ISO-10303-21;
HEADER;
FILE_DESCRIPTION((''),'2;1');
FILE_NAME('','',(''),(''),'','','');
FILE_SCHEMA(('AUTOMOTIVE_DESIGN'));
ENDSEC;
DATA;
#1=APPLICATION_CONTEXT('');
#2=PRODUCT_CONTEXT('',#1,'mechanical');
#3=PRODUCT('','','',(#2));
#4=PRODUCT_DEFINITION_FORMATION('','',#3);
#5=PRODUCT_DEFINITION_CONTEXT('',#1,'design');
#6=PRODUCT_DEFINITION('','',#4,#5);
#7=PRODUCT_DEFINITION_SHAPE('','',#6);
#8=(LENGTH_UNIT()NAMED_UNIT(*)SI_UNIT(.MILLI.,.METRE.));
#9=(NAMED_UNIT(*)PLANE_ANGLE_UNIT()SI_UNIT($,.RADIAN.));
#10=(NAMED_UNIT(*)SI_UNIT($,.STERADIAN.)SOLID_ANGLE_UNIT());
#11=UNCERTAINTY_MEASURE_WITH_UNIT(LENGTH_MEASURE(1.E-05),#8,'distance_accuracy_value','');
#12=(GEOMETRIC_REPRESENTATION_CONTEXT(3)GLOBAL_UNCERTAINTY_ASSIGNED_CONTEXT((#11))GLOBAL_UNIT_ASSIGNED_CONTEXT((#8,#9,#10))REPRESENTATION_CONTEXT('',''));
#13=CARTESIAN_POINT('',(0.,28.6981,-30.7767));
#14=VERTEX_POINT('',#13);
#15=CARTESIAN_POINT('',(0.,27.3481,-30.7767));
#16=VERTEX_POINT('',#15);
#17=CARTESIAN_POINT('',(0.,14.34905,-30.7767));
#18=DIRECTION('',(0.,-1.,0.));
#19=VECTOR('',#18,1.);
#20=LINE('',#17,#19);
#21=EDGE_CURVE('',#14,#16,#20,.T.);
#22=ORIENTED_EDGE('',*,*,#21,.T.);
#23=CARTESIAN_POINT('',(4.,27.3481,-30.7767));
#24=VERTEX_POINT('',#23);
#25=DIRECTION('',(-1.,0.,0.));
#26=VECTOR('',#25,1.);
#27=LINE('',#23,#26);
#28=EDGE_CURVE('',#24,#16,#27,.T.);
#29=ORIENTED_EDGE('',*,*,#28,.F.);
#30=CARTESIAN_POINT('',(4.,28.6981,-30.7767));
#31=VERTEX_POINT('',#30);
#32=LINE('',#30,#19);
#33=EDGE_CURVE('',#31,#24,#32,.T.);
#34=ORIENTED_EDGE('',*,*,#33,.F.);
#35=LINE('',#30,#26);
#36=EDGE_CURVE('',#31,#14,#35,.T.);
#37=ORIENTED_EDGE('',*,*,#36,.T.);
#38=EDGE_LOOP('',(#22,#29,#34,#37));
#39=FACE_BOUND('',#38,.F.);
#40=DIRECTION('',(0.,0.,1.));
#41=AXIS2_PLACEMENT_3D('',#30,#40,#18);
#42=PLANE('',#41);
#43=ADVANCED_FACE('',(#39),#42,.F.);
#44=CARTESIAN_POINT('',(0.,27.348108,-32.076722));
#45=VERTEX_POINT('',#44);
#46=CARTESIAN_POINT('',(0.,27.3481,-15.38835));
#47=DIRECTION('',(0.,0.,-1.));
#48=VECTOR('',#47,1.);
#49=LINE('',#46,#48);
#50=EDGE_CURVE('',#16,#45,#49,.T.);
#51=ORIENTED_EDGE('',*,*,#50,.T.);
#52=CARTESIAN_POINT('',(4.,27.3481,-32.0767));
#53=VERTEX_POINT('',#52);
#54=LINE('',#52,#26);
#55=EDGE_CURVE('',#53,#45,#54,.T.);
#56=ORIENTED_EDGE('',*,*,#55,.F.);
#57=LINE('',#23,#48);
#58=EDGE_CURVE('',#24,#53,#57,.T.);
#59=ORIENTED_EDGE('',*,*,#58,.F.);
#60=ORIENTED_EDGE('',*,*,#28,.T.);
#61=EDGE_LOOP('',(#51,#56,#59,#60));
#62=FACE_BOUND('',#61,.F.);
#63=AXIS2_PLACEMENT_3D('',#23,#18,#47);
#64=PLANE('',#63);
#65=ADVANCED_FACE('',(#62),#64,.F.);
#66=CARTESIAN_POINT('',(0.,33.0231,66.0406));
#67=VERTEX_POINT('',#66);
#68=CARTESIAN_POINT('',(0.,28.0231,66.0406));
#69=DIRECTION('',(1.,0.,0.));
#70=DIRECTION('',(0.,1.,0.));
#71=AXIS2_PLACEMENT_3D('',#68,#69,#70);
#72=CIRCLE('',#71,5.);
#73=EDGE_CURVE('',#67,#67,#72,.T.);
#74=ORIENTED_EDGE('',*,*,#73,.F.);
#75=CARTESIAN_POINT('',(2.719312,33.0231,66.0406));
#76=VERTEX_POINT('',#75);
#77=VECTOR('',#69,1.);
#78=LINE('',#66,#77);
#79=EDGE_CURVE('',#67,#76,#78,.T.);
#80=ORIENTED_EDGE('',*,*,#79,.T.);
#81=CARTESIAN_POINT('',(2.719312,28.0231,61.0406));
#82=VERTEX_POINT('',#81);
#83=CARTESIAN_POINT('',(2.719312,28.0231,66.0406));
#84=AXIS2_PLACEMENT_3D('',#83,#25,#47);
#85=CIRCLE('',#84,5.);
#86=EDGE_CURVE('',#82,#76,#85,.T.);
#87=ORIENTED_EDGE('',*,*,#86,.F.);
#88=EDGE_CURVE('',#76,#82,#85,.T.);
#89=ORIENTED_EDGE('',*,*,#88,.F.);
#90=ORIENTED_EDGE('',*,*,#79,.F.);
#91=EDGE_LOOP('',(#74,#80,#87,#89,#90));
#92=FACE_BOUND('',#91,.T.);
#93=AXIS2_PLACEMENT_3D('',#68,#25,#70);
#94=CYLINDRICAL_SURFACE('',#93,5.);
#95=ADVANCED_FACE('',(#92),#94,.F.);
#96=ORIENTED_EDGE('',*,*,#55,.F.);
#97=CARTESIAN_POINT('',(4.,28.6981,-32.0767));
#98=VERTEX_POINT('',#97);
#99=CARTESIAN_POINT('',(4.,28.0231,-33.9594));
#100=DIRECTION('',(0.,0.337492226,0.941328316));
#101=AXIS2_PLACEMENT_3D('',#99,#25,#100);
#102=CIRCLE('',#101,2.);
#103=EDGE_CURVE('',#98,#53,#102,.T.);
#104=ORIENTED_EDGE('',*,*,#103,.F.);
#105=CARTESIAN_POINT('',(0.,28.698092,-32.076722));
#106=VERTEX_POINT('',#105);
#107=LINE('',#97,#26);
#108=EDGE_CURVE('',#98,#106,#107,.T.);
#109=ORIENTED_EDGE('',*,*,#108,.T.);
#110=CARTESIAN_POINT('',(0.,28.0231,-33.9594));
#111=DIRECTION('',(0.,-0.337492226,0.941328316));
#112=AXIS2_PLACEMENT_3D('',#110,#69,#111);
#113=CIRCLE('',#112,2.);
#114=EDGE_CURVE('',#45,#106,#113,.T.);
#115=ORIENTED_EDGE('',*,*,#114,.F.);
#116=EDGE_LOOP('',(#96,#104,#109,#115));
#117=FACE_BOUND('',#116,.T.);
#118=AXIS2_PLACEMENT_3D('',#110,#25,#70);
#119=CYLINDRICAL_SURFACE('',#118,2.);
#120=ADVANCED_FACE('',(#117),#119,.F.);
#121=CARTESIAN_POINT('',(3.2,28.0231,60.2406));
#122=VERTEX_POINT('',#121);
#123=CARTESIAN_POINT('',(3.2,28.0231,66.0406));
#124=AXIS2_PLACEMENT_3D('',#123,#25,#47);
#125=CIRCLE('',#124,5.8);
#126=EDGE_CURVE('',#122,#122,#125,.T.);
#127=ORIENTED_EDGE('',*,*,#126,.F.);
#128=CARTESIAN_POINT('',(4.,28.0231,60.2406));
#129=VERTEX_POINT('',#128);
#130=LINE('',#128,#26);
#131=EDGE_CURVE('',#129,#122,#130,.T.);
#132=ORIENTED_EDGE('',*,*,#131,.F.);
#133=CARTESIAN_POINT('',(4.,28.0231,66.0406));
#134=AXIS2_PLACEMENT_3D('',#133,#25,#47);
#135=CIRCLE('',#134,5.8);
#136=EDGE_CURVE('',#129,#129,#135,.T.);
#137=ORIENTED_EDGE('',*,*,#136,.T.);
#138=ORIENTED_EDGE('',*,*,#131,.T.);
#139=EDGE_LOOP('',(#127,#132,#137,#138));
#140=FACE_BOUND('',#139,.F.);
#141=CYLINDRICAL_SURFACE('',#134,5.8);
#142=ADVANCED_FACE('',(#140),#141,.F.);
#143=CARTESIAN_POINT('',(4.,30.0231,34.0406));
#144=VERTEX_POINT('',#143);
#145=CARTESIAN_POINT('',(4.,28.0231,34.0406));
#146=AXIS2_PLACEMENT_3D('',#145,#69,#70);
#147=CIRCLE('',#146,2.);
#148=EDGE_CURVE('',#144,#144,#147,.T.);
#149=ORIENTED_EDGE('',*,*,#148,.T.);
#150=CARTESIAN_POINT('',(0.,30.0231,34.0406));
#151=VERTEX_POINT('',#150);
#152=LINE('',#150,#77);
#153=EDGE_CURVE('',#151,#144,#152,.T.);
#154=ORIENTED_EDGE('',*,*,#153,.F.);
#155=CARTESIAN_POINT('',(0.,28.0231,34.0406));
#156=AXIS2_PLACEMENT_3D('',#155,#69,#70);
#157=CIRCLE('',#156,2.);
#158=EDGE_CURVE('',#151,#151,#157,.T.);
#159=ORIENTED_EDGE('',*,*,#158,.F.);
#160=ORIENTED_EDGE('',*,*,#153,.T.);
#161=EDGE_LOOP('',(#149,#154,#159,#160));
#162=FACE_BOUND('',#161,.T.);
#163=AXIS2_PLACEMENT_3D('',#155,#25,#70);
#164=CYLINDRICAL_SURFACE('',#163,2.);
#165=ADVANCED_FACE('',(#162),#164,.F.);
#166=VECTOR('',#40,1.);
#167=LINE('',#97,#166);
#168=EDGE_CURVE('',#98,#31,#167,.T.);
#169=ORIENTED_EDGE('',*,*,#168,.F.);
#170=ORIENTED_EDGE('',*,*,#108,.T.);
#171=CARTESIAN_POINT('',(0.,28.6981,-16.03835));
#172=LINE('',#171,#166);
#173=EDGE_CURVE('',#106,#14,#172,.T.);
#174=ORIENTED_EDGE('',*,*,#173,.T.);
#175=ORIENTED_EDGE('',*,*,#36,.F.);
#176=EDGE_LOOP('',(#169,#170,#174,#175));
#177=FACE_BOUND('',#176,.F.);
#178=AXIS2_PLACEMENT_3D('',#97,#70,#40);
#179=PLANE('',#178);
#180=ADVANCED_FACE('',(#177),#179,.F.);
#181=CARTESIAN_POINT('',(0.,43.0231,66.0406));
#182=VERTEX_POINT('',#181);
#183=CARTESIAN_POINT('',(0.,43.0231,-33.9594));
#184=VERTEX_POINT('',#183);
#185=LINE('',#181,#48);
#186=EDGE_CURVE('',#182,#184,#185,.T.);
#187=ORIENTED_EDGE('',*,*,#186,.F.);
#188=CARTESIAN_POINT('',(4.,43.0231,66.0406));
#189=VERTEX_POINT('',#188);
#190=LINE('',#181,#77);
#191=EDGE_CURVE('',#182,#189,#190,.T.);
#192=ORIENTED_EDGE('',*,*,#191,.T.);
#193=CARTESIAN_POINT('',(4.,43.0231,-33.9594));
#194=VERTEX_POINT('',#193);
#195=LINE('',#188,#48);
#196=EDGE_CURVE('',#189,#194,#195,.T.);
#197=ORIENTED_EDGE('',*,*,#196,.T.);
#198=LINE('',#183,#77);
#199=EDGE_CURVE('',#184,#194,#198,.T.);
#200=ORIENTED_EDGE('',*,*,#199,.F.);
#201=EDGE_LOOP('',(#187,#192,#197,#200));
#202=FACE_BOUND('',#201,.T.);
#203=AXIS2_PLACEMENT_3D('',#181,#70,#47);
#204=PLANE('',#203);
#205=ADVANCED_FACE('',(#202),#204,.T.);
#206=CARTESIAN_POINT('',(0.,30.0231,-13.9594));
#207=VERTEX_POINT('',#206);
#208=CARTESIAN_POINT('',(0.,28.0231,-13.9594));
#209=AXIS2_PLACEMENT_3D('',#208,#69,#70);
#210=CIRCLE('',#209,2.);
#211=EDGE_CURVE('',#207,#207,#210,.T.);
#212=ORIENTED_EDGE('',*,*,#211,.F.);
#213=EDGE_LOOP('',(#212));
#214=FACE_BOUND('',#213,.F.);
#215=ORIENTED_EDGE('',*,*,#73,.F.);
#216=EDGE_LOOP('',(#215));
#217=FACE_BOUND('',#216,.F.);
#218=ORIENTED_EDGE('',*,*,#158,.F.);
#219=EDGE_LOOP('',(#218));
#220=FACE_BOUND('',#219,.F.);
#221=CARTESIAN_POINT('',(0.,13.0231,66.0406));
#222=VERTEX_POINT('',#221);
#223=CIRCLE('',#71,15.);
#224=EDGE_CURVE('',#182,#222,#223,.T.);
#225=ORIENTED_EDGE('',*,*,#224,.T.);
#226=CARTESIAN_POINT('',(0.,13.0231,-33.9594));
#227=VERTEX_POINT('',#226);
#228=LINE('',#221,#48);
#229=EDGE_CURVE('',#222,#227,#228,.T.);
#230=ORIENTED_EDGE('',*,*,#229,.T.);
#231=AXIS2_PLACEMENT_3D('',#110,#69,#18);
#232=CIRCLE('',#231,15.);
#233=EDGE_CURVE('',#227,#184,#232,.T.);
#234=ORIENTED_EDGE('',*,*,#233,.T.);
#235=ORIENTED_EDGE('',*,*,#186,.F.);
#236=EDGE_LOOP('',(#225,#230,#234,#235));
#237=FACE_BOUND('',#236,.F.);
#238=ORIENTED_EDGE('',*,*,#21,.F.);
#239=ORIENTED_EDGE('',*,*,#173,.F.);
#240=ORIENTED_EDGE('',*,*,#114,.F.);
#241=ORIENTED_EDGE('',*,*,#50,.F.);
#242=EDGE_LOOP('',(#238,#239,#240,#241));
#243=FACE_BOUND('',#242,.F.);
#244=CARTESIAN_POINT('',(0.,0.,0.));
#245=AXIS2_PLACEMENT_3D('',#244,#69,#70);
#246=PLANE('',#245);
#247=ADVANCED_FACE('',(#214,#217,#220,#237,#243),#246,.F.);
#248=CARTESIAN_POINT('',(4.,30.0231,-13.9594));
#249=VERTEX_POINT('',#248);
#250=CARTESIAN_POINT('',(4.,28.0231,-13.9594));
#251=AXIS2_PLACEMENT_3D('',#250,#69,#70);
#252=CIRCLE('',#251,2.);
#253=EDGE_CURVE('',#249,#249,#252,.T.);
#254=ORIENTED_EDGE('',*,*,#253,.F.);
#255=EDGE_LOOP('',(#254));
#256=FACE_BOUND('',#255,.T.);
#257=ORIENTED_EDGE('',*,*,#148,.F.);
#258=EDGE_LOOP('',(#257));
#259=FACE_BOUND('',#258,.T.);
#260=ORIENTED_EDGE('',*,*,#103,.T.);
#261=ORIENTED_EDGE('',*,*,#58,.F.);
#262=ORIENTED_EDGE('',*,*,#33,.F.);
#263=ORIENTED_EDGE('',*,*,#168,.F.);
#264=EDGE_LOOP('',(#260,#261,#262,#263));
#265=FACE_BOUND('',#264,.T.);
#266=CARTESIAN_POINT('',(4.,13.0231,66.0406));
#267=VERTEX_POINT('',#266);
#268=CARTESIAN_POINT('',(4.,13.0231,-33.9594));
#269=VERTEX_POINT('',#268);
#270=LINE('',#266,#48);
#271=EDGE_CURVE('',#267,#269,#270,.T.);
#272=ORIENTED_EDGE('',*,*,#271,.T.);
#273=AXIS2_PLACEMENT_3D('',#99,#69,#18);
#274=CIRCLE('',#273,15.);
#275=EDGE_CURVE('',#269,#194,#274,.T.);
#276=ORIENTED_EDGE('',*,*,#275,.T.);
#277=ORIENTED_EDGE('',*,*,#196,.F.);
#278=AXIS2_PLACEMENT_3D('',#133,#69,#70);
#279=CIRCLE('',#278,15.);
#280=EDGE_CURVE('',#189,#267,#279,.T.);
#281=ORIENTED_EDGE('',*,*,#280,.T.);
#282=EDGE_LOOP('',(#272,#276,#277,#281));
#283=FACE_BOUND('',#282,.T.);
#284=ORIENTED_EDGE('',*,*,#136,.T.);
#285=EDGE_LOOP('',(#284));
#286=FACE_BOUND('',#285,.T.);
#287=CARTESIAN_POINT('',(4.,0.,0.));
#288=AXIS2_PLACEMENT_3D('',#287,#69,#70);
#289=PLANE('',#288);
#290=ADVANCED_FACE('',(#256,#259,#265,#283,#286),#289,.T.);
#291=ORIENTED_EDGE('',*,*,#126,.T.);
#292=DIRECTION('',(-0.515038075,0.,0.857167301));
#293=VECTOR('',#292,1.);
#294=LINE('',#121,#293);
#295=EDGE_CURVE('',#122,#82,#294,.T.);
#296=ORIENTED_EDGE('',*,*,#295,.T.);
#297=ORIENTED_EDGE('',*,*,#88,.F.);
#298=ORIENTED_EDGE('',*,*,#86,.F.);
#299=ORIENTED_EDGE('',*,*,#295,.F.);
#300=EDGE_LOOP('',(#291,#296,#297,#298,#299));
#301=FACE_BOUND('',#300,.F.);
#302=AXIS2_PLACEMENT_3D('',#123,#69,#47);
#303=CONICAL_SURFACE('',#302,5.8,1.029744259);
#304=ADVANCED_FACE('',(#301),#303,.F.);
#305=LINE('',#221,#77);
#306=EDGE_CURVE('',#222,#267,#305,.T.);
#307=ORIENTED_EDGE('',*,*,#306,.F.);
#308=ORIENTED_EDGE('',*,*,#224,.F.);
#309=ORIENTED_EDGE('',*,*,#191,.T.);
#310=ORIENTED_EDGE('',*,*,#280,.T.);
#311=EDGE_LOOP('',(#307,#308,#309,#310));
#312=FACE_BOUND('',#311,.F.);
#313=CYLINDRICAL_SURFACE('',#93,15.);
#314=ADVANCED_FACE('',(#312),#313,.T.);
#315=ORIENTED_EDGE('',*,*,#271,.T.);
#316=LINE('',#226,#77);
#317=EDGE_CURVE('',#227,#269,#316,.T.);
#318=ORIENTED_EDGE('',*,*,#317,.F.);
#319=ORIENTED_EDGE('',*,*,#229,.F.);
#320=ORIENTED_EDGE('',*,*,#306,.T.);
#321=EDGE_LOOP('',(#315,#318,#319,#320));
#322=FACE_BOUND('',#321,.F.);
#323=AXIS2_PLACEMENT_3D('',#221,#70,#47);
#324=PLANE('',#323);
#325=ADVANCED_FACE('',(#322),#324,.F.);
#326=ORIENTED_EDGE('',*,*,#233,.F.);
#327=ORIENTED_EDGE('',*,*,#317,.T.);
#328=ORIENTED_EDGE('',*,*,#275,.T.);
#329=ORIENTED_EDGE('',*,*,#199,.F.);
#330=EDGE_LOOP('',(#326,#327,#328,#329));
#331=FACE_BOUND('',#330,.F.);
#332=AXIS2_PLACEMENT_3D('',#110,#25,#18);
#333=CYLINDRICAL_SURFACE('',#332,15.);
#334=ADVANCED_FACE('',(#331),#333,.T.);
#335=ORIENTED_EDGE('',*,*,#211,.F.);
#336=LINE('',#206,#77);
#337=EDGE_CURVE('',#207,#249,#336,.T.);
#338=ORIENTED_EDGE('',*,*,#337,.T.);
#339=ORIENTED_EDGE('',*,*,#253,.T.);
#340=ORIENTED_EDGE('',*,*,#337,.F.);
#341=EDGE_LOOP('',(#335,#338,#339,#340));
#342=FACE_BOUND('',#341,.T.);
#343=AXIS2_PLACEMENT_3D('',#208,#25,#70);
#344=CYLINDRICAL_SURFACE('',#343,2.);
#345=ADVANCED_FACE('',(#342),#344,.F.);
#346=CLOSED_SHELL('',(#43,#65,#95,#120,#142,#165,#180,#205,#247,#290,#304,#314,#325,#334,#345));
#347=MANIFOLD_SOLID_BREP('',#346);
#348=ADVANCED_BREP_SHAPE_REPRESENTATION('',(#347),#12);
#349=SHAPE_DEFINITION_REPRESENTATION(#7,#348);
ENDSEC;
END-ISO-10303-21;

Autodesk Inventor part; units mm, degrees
ref_plane "YZ Plane" through (0, 0, 0) normal (1, 0, 0) x (0, 1, 0)
ref_plane "XZ Plane" through (0, 0, 0) normal (0, 1, 0) x (-1, 0, 0)
ref_plane "XY Plane" through (0, 0, 0) normal (0, 0, 1) x (1, 0, 0)
sketch "Sketch1" plane through (0, 0, 0) normal (1, 0, 0) x (0, 1, 0)
  arc A0 (43.0231, 66.0406) -> (13.0231, 66.0406) centre (28.0231, 66.0406) ccw
  arc A1 (13.0231, -33.9594) -> (43.0231, -33.9594) centre (28.0231, -33.9594) ccw
  line L0 (13.0231, 66.0406) -> (13.0231, -33.9594)
  line L1 (43.0231, 66.0406) -> (43.0231, -33.9594)
  circle A2 centre (28.0231, 66.0406) radius 5
  circle A3 centre (28.0231, -33.9594) radius 2
  circle A4 centre (28.0231, 34.0406) radius 2
  circle A5 centre (28.0231, -13.9594) radius 2
  point P0 (0, 0)
  dimension "d6" = 15
  dimension "d18" = 100
  dimension "d40" = 10
  dimension "d50" = 0
  dimension "d51" = 0
  dimension "d52" = 20
  dimension "d53" = 32
  dimension "d54" = 4
  dimension "d66" = 4
extrude "Extrusion6" add sketch "Sketch1" along normal blind 4
hole "Hole4" at (4, 28.0231, 66.0406) direction (-1, 0, 0) diameter 11.6 depth 0.8 tip angle 118
sketch "Sketch6" plane through (4, 0, 0) normal (1, 0, 0) x (0, 0, -1)
  circle A0 centre (33.9594, 28.0231) radius 2 projected
  line L0 (32.0767, 27.3481) -> (32.0767, 28.6981)
  line L1 (32.0767, 28.6981) -> (30.7767, 28.6981)
  line L2 (30.7767, 28.6981) -> (30.7767, 27.3481)
  line L3 (30.7767, 27.3481) -> (32.0767, 27.3481)
  point P0 (0, 0)
  dimension "d77" = 1.35
  dimension "d78" = 1.3
extrude "Extrusion7" cut sketch "Sketch6" against normal through all contours A0 L3 L2 L1
properties part number "BaseJoint"
